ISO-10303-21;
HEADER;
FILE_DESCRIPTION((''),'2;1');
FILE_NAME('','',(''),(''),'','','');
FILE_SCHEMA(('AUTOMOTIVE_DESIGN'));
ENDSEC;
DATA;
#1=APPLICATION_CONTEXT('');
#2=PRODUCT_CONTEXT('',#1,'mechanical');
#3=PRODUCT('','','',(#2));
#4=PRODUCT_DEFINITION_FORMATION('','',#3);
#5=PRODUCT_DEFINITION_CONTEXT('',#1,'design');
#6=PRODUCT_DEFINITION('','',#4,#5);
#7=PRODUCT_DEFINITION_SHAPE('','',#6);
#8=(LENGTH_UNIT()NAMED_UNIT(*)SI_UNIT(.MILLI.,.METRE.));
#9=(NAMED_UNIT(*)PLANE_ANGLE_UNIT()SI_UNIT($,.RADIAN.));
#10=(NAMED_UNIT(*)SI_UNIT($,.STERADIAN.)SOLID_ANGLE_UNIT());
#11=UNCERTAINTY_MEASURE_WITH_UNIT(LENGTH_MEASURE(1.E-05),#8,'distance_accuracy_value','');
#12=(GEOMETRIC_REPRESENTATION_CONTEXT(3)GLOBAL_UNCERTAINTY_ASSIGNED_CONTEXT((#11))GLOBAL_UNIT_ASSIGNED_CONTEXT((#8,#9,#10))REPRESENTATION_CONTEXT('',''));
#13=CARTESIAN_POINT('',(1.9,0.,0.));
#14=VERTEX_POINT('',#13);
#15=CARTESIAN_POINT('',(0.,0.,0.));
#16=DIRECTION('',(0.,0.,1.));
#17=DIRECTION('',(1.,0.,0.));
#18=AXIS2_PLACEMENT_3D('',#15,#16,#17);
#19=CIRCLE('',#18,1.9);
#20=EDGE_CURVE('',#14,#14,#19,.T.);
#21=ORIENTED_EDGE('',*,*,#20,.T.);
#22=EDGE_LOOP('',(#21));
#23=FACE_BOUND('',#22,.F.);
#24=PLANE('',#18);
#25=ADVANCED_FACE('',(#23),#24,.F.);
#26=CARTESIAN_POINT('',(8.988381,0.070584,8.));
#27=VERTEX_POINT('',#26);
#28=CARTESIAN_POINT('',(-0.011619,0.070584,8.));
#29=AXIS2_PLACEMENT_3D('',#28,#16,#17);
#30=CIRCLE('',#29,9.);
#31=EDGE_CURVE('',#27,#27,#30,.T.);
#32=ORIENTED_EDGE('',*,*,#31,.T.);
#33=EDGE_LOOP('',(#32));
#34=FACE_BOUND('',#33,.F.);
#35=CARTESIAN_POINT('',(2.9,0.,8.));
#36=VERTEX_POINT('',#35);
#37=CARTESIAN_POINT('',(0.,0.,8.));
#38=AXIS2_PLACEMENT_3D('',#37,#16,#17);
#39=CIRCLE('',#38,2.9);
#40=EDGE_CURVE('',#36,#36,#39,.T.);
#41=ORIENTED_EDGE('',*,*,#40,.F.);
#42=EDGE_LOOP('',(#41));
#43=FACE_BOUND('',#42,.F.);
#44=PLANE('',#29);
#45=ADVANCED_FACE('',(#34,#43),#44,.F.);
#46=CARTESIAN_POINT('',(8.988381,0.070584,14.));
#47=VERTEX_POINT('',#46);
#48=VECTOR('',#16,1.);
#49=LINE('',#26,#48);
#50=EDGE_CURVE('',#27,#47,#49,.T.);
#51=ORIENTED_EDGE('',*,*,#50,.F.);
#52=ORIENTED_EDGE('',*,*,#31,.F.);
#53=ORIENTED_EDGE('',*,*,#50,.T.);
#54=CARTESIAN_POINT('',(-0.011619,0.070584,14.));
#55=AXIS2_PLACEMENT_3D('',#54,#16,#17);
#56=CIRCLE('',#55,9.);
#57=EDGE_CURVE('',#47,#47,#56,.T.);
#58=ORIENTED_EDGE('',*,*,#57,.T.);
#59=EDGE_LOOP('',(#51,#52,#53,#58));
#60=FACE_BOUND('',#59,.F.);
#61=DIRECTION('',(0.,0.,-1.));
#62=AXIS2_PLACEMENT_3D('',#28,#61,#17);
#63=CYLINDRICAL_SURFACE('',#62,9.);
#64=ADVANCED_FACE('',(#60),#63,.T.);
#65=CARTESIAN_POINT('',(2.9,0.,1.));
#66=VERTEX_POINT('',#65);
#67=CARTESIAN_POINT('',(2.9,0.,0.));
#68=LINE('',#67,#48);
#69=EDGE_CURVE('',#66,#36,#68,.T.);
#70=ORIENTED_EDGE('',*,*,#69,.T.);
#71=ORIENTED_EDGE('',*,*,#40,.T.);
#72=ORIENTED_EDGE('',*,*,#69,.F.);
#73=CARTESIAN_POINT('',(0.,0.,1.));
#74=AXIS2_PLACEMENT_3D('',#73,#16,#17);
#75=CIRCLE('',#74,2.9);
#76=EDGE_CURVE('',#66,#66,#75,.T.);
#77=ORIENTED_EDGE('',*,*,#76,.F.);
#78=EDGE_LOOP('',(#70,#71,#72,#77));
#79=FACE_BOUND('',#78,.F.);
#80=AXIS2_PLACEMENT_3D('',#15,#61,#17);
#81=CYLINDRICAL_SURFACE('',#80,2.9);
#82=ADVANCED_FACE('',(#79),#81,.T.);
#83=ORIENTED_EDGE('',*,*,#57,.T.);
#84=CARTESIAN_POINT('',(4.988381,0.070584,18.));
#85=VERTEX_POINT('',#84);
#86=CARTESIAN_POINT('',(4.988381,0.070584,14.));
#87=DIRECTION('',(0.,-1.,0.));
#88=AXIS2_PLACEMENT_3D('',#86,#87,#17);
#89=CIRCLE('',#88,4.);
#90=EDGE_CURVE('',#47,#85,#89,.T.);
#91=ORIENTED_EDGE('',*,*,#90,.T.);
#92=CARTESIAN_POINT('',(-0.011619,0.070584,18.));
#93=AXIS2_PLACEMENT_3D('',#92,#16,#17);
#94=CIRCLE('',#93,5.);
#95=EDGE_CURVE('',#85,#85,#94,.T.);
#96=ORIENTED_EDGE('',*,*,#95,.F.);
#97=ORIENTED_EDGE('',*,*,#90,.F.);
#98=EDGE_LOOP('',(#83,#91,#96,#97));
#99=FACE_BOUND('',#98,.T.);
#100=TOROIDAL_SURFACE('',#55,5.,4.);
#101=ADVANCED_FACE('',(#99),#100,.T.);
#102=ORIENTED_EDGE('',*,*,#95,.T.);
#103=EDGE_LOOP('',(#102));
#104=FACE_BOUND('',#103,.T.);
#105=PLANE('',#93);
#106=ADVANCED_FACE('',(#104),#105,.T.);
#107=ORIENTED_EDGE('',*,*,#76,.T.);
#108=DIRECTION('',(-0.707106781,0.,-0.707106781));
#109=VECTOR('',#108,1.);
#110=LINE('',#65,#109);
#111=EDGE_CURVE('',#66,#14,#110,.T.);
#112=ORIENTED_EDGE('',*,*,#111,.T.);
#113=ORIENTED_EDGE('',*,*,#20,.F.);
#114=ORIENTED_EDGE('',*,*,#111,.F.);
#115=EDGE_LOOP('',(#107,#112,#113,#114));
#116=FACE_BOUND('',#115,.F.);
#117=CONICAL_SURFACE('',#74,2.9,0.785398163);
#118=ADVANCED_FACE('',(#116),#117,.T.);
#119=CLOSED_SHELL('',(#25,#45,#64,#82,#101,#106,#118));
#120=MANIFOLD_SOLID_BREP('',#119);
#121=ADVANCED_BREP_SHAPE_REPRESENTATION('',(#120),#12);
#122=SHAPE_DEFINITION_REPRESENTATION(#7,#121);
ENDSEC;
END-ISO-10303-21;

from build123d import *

# Parameters (mm, degrees)
SKETCH_R     = 2.9
PAD_DEPTH    = 8
SKETCH001_R  = 9
PAD001_DEPTH = 10
FILLET_R     = 4
CHAMFER_SIZE = 1


with BuildPart() as part:
    # Sketch → Pad (new body)
    with BuildSketch(Plane.XY):
        Circle(SKETCH_R)
    extrude(amount=PAD_DEPTH)

    # Sketch001 (on Face3 of Pad) → Pad001 (join)
    with BuildSketch(Plane.XY.offset(8)):
        with Locations((-0.011619, 0.070584)):
            Circle(SKETCH001_R)
    extrude(amount=PAD001_DEPTH)

    # Fillet
    fillet_edges = [part.edges().sort_by_distance(p)[0] for p in [
        (-9.011619, 0.070584, 18),
    ]]
    fillet(fillet_edges, radius=FILLET_R)

    # Chamfer
    chamfer_edges = [part.edges().sort_by_distance(p)[0] for p in [
        (-2.9, 0, 0),
    ]]
    chamfer(chamfer_edges, length=CHAMFER_SIZE)


solid = part.part
